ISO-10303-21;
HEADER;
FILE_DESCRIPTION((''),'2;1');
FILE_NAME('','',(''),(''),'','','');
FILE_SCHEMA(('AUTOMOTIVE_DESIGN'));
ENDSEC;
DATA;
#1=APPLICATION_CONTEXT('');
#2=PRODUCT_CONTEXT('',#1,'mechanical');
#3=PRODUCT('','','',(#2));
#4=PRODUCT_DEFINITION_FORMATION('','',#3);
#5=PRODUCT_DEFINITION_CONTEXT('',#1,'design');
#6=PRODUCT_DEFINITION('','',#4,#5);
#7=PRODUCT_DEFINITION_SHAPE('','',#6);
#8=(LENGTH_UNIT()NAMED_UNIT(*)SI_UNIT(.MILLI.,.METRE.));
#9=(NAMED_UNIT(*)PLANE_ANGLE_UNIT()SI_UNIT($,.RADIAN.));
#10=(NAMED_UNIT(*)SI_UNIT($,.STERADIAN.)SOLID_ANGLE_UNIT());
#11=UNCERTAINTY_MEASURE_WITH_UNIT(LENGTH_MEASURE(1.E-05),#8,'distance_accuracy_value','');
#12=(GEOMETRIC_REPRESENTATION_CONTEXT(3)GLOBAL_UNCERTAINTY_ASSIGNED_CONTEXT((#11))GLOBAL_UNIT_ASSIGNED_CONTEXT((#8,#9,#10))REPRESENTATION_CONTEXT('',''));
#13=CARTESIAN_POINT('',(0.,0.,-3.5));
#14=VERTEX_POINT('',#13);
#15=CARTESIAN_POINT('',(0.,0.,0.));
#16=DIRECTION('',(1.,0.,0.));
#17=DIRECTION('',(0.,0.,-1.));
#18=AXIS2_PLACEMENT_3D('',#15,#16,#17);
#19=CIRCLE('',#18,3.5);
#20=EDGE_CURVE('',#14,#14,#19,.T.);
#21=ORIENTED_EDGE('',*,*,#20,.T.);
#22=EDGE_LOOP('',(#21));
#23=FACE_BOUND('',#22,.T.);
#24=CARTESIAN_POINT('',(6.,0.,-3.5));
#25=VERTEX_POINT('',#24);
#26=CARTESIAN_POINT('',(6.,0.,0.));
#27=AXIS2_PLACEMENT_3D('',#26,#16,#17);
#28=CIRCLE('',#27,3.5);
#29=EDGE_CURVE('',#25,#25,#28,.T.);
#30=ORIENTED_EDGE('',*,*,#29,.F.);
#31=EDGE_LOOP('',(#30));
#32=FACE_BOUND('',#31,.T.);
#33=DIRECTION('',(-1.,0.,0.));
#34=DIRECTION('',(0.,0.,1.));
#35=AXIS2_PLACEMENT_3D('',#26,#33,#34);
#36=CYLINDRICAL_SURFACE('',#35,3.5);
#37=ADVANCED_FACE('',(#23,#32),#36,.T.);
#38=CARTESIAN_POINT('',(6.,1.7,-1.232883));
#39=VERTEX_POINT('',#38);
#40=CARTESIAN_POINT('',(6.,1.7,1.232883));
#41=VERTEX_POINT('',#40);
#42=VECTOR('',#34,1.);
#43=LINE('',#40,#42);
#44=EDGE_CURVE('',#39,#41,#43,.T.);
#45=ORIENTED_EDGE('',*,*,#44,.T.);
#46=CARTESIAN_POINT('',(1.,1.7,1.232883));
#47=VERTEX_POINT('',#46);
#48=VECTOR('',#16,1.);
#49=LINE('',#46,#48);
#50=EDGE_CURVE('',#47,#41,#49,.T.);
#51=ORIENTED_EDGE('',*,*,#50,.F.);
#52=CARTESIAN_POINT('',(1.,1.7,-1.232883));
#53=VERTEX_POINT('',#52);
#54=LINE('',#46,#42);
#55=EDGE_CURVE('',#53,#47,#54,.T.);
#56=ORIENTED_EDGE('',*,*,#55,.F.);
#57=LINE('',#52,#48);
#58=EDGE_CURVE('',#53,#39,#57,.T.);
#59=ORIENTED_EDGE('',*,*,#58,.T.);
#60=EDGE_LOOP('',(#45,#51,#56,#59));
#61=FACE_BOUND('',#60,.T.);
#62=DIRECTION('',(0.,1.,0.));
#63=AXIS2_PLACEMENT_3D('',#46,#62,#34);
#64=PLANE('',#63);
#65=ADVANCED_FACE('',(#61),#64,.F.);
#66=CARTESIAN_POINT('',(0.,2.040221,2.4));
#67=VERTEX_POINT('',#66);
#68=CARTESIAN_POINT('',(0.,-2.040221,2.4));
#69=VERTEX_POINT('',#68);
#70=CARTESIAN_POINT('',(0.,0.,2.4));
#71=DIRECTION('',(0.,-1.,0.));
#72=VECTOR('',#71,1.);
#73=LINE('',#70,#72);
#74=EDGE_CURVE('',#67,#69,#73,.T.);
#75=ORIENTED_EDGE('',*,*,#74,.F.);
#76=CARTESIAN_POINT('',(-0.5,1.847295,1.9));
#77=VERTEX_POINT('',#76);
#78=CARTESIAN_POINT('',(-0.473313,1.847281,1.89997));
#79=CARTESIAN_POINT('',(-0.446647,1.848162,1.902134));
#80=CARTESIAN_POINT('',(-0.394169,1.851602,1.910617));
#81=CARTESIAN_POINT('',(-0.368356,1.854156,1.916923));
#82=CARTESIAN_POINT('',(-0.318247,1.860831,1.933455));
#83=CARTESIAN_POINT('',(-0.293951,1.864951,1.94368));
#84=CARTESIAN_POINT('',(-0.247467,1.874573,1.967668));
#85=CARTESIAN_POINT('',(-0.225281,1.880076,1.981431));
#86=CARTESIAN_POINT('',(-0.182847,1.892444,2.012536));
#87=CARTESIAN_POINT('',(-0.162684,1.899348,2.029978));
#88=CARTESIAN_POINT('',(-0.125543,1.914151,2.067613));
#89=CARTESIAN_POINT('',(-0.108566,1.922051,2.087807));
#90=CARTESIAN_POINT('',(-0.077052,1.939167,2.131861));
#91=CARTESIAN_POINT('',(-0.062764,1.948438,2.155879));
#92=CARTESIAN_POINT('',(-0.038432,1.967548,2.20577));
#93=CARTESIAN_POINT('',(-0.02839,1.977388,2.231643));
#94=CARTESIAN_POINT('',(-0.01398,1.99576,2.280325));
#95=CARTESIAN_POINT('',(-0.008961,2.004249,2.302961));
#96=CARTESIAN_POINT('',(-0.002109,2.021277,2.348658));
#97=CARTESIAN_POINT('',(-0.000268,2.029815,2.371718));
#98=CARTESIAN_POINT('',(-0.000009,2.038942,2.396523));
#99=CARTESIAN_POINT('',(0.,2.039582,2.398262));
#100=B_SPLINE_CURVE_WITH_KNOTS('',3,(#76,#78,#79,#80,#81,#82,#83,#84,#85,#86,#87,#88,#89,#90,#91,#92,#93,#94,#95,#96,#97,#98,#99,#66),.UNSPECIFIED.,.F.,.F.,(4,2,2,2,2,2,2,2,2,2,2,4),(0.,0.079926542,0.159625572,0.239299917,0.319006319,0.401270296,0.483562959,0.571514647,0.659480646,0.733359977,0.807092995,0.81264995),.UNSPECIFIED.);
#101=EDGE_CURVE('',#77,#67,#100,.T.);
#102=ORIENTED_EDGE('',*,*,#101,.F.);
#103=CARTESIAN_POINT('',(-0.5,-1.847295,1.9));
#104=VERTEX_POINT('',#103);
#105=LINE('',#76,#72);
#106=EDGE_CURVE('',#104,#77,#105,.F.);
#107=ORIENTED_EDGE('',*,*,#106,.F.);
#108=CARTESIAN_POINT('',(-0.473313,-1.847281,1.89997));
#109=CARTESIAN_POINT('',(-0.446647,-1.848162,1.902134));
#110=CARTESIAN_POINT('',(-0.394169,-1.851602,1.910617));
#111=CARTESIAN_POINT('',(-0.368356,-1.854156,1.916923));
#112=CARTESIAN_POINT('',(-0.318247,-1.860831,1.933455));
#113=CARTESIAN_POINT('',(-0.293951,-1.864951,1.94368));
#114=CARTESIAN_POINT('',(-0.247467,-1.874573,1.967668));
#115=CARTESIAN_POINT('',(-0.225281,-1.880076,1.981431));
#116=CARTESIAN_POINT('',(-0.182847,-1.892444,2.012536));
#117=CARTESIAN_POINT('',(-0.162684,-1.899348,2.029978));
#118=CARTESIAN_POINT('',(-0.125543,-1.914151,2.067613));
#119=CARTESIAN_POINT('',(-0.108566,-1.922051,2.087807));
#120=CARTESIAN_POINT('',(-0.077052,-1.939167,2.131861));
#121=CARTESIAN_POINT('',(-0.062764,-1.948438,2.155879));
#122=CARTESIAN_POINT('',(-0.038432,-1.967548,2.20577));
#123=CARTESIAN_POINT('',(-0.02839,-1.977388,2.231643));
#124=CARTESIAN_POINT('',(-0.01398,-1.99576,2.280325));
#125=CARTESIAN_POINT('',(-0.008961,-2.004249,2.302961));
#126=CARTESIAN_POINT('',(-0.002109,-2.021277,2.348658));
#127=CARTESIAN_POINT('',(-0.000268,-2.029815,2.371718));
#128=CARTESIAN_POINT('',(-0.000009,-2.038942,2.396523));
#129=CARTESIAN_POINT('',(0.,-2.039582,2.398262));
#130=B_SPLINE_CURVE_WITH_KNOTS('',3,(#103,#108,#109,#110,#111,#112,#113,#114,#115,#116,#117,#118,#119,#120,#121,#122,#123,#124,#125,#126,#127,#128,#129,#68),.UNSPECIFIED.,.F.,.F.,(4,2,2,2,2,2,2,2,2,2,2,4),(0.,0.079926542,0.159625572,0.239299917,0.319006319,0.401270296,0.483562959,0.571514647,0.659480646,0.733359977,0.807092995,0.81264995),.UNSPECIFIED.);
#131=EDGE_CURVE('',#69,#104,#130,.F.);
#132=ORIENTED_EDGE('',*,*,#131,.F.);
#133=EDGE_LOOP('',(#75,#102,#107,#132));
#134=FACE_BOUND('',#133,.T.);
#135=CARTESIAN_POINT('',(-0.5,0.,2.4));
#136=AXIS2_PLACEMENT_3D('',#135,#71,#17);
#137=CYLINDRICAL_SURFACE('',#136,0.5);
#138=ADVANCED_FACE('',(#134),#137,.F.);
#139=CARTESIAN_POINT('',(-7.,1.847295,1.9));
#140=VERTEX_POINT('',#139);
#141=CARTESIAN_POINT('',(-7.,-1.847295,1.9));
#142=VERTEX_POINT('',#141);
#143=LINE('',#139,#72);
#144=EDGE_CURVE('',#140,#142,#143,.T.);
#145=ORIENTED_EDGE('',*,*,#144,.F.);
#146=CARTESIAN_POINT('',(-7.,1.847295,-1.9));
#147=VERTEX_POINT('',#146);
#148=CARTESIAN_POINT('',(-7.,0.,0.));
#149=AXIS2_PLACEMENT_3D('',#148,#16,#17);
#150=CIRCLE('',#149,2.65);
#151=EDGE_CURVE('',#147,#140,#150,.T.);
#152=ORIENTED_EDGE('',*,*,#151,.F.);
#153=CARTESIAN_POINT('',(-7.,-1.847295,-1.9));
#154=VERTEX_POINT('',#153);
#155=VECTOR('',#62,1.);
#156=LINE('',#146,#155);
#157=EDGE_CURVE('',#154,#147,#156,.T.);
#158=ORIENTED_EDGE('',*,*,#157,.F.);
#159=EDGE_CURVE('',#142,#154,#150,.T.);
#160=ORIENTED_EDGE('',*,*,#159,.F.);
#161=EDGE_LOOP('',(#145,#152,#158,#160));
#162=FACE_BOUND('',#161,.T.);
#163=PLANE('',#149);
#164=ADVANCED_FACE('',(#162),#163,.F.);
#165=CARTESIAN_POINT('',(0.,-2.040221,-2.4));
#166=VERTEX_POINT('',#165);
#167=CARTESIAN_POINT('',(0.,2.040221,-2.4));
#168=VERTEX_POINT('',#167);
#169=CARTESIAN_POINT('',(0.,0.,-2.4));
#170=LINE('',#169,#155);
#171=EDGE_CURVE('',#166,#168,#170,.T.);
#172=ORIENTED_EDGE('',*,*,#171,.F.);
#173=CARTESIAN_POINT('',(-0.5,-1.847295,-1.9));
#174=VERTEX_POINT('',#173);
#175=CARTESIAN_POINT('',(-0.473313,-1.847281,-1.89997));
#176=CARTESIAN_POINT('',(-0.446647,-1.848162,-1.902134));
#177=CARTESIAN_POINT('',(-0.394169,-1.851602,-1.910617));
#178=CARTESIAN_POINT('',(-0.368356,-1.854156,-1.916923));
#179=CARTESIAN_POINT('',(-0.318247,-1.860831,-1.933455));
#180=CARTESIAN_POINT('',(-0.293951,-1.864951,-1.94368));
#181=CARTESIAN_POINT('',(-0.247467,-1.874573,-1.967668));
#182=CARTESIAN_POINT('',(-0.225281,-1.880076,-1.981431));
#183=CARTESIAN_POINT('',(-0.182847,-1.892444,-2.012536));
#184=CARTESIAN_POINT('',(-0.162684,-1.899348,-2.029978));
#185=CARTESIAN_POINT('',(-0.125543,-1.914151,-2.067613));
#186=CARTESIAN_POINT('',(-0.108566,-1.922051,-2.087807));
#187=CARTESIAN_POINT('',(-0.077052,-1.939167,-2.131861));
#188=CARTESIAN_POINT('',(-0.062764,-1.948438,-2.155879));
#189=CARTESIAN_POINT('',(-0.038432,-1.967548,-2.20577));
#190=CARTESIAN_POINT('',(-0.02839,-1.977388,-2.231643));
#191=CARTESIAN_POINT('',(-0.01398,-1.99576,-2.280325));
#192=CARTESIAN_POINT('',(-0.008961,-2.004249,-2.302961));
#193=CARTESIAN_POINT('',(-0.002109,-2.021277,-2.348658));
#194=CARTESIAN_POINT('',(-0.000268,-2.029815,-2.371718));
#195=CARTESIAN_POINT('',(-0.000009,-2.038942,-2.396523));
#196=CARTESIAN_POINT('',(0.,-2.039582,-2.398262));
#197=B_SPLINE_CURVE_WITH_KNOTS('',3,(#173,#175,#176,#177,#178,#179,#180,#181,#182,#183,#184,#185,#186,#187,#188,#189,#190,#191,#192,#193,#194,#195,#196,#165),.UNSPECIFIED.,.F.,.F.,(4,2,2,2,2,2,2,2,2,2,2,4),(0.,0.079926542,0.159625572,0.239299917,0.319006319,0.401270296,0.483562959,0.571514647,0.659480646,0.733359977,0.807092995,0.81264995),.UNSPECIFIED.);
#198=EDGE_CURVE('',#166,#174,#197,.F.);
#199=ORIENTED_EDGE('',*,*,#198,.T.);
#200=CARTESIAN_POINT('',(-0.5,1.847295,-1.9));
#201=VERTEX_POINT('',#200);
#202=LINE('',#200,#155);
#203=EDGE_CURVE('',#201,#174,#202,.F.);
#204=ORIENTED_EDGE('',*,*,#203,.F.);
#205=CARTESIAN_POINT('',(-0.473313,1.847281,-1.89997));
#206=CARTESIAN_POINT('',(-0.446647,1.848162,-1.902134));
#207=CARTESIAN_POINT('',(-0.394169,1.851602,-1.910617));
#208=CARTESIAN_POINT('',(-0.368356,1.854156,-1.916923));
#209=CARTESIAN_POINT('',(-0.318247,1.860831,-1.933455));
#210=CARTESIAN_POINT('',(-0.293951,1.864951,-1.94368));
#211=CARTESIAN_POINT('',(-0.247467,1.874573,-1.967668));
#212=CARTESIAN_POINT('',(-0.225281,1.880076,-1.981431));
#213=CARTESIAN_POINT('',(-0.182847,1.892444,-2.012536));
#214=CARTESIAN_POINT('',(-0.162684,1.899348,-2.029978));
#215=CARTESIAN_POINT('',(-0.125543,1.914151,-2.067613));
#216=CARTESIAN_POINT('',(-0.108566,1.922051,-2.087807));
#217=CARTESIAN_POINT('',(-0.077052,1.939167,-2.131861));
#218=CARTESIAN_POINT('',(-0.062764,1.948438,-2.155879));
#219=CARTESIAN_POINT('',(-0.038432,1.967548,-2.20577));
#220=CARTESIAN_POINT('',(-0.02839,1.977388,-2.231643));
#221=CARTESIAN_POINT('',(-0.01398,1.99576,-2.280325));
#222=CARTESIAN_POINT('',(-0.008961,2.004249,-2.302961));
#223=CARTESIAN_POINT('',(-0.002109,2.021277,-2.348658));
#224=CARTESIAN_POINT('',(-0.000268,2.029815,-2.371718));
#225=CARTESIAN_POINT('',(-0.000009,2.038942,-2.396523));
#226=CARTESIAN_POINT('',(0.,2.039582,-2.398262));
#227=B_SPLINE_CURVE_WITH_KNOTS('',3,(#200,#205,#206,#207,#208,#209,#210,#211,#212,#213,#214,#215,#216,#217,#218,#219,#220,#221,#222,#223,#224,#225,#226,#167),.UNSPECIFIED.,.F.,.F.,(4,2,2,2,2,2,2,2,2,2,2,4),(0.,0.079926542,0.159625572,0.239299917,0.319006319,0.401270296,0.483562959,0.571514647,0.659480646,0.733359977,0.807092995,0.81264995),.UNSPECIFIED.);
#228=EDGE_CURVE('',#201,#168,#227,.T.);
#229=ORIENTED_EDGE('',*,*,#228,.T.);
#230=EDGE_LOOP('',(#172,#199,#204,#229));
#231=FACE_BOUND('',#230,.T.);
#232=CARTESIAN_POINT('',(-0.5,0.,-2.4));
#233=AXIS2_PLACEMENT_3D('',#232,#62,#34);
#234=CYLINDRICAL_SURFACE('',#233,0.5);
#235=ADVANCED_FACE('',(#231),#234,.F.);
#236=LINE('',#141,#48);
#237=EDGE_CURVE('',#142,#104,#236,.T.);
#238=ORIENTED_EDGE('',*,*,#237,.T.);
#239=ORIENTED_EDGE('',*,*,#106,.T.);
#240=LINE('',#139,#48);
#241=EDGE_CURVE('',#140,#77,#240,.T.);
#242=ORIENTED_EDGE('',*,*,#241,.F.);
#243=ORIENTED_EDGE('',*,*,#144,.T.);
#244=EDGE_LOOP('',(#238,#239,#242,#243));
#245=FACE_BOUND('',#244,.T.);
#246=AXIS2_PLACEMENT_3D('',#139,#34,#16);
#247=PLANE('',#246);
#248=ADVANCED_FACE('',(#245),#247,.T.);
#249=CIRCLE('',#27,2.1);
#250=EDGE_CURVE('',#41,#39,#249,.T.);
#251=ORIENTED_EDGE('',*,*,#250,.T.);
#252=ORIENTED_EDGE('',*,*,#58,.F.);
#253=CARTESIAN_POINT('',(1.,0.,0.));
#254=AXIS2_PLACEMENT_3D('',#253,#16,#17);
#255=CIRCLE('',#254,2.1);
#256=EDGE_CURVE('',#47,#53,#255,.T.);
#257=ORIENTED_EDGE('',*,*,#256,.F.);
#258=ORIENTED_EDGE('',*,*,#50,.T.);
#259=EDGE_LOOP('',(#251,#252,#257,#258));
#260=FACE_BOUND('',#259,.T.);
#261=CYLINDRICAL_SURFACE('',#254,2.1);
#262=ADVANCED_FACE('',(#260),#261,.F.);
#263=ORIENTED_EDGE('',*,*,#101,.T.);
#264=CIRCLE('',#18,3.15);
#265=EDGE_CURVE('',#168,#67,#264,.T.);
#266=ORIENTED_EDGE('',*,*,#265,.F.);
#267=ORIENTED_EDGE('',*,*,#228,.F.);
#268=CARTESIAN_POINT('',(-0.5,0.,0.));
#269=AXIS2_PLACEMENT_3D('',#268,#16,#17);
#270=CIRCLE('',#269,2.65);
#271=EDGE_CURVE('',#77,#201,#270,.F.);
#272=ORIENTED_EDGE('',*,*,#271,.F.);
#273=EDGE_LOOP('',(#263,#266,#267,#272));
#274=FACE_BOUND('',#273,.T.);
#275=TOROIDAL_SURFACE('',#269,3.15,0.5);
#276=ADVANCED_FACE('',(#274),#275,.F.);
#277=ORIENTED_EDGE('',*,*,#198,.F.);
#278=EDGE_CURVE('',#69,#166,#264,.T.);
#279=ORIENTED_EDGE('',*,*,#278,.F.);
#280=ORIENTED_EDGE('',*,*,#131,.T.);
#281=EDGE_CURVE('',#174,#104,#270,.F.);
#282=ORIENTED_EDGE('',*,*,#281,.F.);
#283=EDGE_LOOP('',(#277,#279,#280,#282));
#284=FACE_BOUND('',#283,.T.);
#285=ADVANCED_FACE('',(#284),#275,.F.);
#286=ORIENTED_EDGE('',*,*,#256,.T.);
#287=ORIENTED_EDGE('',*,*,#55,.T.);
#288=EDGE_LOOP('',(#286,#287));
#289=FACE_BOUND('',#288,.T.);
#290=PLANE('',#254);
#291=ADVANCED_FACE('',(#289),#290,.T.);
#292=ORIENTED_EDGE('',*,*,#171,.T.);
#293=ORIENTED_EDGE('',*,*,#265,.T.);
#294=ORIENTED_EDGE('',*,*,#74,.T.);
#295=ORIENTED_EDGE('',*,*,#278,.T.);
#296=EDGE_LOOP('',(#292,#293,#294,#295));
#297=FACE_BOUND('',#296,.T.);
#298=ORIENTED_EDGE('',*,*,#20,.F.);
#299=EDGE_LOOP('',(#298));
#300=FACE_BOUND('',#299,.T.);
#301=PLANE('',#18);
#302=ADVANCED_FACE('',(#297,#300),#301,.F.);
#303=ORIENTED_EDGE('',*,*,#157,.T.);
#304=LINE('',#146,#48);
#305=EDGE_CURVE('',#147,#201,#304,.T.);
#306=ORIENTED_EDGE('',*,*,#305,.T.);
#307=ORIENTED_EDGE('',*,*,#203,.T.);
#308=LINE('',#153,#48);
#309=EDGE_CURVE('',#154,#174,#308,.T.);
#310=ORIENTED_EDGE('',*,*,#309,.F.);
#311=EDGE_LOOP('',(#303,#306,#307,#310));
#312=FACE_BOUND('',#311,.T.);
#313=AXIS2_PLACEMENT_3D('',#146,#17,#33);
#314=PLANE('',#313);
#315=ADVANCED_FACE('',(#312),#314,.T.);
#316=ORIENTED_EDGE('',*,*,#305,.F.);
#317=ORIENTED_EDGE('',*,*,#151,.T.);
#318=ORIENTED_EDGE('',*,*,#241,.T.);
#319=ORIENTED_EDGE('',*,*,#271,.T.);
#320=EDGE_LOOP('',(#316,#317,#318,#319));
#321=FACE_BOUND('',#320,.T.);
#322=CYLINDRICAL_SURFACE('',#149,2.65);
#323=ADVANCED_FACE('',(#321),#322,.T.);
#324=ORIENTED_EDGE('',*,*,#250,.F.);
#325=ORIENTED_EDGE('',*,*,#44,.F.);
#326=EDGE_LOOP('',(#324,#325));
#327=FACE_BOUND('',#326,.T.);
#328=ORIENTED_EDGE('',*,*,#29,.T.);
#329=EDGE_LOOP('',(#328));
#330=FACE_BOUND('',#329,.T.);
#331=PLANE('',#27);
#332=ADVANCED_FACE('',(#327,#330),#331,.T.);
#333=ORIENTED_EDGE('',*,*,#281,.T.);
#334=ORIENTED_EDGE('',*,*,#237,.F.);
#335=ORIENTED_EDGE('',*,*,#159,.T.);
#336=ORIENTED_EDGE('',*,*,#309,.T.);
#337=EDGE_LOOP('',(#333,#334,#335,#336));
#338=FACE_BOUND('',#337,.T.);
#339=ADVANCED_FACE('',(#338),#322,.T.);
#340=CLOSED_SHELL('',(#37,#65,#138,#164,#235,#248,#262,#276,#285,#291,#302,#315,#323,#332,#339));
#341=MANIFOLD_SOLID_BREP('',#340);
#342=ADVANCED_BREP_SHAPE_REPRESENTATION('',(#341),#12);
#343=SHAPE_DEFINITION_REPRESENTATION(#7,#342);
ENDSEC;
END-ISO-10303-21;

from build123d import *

# Parameters (mm, degrees)
BOSS_EXTRUDE1_DEPTH = 7
SKETCH5_R           = 3.5
BOSS_EXTRUDE2_DEPTH = 6
FILLET1_R           = 0.5
CUT_EXTRUDE1_DEPTH  = 5


with BuildPart() as part:
    # Sketch1 → Boss-Extrude1 (new body)
    with BuildSketch(Plane(origin=(0, 0, 0), x_dir=(0, 0, -1), z_dir=(1, 0, 0))):
        with BuildLine():
            Line((-1.9, 1.84729532), (-1.9, -1.84729532))
            ThreePointArc((-1.9, -1.84729532), (0, -2.65), (1.9, -1.84729532))
            Line((1.9, -1.84729532), (1.9, 1.84729532))
            ThreePointArc((1.9, 1.84729532), (0, 2.65), (-1.9, 1.84729532))
        make_face()
    extrude(amount=-BOSS_EXTRUDE1_DEPTH)

    # Sketch5 → Boss-Extrude2 (add)
    with BuildSketch(Plane(origin=(0, 0, 0), x_dir=(0, 0, -1), z_dir=(1, 0, 0))):
        Circle(SKETCH5_R)
    extrude(amount=BOSS_EXTRUDE2_DEPTH)

    # Fillet1
    fillet1_edges = [part.edges().sort_by_distance(p)[0] for p in [
        (0, 0, -1.9),
        (0, -2.65, 0),
        (0, 0, 1.9),
        (0, 2.65, 0),
    ]]
    fillet(fillet1_edges, radius=FILLET1_R)

    # Sketch7 → Cut-Extrude1 (cut)
    with BuildSketch(Plane(origin=(6, 0, 0), x_dir=(0, 0, -1), z_dir=(1, 0, 0))):
        with BuildLine():
            Line((-1.232882801, 1.7), (1.232882801, 1.7))
            ThreePointArc((1.232882801, 1.7), (0, -2.1), (-1.232882801, 1.7))
        make_face()
    extrude(amount=-CUT_EXTRUDE1_DEPTH, mode=Mode.SUBTRACT)


solid = part.part
